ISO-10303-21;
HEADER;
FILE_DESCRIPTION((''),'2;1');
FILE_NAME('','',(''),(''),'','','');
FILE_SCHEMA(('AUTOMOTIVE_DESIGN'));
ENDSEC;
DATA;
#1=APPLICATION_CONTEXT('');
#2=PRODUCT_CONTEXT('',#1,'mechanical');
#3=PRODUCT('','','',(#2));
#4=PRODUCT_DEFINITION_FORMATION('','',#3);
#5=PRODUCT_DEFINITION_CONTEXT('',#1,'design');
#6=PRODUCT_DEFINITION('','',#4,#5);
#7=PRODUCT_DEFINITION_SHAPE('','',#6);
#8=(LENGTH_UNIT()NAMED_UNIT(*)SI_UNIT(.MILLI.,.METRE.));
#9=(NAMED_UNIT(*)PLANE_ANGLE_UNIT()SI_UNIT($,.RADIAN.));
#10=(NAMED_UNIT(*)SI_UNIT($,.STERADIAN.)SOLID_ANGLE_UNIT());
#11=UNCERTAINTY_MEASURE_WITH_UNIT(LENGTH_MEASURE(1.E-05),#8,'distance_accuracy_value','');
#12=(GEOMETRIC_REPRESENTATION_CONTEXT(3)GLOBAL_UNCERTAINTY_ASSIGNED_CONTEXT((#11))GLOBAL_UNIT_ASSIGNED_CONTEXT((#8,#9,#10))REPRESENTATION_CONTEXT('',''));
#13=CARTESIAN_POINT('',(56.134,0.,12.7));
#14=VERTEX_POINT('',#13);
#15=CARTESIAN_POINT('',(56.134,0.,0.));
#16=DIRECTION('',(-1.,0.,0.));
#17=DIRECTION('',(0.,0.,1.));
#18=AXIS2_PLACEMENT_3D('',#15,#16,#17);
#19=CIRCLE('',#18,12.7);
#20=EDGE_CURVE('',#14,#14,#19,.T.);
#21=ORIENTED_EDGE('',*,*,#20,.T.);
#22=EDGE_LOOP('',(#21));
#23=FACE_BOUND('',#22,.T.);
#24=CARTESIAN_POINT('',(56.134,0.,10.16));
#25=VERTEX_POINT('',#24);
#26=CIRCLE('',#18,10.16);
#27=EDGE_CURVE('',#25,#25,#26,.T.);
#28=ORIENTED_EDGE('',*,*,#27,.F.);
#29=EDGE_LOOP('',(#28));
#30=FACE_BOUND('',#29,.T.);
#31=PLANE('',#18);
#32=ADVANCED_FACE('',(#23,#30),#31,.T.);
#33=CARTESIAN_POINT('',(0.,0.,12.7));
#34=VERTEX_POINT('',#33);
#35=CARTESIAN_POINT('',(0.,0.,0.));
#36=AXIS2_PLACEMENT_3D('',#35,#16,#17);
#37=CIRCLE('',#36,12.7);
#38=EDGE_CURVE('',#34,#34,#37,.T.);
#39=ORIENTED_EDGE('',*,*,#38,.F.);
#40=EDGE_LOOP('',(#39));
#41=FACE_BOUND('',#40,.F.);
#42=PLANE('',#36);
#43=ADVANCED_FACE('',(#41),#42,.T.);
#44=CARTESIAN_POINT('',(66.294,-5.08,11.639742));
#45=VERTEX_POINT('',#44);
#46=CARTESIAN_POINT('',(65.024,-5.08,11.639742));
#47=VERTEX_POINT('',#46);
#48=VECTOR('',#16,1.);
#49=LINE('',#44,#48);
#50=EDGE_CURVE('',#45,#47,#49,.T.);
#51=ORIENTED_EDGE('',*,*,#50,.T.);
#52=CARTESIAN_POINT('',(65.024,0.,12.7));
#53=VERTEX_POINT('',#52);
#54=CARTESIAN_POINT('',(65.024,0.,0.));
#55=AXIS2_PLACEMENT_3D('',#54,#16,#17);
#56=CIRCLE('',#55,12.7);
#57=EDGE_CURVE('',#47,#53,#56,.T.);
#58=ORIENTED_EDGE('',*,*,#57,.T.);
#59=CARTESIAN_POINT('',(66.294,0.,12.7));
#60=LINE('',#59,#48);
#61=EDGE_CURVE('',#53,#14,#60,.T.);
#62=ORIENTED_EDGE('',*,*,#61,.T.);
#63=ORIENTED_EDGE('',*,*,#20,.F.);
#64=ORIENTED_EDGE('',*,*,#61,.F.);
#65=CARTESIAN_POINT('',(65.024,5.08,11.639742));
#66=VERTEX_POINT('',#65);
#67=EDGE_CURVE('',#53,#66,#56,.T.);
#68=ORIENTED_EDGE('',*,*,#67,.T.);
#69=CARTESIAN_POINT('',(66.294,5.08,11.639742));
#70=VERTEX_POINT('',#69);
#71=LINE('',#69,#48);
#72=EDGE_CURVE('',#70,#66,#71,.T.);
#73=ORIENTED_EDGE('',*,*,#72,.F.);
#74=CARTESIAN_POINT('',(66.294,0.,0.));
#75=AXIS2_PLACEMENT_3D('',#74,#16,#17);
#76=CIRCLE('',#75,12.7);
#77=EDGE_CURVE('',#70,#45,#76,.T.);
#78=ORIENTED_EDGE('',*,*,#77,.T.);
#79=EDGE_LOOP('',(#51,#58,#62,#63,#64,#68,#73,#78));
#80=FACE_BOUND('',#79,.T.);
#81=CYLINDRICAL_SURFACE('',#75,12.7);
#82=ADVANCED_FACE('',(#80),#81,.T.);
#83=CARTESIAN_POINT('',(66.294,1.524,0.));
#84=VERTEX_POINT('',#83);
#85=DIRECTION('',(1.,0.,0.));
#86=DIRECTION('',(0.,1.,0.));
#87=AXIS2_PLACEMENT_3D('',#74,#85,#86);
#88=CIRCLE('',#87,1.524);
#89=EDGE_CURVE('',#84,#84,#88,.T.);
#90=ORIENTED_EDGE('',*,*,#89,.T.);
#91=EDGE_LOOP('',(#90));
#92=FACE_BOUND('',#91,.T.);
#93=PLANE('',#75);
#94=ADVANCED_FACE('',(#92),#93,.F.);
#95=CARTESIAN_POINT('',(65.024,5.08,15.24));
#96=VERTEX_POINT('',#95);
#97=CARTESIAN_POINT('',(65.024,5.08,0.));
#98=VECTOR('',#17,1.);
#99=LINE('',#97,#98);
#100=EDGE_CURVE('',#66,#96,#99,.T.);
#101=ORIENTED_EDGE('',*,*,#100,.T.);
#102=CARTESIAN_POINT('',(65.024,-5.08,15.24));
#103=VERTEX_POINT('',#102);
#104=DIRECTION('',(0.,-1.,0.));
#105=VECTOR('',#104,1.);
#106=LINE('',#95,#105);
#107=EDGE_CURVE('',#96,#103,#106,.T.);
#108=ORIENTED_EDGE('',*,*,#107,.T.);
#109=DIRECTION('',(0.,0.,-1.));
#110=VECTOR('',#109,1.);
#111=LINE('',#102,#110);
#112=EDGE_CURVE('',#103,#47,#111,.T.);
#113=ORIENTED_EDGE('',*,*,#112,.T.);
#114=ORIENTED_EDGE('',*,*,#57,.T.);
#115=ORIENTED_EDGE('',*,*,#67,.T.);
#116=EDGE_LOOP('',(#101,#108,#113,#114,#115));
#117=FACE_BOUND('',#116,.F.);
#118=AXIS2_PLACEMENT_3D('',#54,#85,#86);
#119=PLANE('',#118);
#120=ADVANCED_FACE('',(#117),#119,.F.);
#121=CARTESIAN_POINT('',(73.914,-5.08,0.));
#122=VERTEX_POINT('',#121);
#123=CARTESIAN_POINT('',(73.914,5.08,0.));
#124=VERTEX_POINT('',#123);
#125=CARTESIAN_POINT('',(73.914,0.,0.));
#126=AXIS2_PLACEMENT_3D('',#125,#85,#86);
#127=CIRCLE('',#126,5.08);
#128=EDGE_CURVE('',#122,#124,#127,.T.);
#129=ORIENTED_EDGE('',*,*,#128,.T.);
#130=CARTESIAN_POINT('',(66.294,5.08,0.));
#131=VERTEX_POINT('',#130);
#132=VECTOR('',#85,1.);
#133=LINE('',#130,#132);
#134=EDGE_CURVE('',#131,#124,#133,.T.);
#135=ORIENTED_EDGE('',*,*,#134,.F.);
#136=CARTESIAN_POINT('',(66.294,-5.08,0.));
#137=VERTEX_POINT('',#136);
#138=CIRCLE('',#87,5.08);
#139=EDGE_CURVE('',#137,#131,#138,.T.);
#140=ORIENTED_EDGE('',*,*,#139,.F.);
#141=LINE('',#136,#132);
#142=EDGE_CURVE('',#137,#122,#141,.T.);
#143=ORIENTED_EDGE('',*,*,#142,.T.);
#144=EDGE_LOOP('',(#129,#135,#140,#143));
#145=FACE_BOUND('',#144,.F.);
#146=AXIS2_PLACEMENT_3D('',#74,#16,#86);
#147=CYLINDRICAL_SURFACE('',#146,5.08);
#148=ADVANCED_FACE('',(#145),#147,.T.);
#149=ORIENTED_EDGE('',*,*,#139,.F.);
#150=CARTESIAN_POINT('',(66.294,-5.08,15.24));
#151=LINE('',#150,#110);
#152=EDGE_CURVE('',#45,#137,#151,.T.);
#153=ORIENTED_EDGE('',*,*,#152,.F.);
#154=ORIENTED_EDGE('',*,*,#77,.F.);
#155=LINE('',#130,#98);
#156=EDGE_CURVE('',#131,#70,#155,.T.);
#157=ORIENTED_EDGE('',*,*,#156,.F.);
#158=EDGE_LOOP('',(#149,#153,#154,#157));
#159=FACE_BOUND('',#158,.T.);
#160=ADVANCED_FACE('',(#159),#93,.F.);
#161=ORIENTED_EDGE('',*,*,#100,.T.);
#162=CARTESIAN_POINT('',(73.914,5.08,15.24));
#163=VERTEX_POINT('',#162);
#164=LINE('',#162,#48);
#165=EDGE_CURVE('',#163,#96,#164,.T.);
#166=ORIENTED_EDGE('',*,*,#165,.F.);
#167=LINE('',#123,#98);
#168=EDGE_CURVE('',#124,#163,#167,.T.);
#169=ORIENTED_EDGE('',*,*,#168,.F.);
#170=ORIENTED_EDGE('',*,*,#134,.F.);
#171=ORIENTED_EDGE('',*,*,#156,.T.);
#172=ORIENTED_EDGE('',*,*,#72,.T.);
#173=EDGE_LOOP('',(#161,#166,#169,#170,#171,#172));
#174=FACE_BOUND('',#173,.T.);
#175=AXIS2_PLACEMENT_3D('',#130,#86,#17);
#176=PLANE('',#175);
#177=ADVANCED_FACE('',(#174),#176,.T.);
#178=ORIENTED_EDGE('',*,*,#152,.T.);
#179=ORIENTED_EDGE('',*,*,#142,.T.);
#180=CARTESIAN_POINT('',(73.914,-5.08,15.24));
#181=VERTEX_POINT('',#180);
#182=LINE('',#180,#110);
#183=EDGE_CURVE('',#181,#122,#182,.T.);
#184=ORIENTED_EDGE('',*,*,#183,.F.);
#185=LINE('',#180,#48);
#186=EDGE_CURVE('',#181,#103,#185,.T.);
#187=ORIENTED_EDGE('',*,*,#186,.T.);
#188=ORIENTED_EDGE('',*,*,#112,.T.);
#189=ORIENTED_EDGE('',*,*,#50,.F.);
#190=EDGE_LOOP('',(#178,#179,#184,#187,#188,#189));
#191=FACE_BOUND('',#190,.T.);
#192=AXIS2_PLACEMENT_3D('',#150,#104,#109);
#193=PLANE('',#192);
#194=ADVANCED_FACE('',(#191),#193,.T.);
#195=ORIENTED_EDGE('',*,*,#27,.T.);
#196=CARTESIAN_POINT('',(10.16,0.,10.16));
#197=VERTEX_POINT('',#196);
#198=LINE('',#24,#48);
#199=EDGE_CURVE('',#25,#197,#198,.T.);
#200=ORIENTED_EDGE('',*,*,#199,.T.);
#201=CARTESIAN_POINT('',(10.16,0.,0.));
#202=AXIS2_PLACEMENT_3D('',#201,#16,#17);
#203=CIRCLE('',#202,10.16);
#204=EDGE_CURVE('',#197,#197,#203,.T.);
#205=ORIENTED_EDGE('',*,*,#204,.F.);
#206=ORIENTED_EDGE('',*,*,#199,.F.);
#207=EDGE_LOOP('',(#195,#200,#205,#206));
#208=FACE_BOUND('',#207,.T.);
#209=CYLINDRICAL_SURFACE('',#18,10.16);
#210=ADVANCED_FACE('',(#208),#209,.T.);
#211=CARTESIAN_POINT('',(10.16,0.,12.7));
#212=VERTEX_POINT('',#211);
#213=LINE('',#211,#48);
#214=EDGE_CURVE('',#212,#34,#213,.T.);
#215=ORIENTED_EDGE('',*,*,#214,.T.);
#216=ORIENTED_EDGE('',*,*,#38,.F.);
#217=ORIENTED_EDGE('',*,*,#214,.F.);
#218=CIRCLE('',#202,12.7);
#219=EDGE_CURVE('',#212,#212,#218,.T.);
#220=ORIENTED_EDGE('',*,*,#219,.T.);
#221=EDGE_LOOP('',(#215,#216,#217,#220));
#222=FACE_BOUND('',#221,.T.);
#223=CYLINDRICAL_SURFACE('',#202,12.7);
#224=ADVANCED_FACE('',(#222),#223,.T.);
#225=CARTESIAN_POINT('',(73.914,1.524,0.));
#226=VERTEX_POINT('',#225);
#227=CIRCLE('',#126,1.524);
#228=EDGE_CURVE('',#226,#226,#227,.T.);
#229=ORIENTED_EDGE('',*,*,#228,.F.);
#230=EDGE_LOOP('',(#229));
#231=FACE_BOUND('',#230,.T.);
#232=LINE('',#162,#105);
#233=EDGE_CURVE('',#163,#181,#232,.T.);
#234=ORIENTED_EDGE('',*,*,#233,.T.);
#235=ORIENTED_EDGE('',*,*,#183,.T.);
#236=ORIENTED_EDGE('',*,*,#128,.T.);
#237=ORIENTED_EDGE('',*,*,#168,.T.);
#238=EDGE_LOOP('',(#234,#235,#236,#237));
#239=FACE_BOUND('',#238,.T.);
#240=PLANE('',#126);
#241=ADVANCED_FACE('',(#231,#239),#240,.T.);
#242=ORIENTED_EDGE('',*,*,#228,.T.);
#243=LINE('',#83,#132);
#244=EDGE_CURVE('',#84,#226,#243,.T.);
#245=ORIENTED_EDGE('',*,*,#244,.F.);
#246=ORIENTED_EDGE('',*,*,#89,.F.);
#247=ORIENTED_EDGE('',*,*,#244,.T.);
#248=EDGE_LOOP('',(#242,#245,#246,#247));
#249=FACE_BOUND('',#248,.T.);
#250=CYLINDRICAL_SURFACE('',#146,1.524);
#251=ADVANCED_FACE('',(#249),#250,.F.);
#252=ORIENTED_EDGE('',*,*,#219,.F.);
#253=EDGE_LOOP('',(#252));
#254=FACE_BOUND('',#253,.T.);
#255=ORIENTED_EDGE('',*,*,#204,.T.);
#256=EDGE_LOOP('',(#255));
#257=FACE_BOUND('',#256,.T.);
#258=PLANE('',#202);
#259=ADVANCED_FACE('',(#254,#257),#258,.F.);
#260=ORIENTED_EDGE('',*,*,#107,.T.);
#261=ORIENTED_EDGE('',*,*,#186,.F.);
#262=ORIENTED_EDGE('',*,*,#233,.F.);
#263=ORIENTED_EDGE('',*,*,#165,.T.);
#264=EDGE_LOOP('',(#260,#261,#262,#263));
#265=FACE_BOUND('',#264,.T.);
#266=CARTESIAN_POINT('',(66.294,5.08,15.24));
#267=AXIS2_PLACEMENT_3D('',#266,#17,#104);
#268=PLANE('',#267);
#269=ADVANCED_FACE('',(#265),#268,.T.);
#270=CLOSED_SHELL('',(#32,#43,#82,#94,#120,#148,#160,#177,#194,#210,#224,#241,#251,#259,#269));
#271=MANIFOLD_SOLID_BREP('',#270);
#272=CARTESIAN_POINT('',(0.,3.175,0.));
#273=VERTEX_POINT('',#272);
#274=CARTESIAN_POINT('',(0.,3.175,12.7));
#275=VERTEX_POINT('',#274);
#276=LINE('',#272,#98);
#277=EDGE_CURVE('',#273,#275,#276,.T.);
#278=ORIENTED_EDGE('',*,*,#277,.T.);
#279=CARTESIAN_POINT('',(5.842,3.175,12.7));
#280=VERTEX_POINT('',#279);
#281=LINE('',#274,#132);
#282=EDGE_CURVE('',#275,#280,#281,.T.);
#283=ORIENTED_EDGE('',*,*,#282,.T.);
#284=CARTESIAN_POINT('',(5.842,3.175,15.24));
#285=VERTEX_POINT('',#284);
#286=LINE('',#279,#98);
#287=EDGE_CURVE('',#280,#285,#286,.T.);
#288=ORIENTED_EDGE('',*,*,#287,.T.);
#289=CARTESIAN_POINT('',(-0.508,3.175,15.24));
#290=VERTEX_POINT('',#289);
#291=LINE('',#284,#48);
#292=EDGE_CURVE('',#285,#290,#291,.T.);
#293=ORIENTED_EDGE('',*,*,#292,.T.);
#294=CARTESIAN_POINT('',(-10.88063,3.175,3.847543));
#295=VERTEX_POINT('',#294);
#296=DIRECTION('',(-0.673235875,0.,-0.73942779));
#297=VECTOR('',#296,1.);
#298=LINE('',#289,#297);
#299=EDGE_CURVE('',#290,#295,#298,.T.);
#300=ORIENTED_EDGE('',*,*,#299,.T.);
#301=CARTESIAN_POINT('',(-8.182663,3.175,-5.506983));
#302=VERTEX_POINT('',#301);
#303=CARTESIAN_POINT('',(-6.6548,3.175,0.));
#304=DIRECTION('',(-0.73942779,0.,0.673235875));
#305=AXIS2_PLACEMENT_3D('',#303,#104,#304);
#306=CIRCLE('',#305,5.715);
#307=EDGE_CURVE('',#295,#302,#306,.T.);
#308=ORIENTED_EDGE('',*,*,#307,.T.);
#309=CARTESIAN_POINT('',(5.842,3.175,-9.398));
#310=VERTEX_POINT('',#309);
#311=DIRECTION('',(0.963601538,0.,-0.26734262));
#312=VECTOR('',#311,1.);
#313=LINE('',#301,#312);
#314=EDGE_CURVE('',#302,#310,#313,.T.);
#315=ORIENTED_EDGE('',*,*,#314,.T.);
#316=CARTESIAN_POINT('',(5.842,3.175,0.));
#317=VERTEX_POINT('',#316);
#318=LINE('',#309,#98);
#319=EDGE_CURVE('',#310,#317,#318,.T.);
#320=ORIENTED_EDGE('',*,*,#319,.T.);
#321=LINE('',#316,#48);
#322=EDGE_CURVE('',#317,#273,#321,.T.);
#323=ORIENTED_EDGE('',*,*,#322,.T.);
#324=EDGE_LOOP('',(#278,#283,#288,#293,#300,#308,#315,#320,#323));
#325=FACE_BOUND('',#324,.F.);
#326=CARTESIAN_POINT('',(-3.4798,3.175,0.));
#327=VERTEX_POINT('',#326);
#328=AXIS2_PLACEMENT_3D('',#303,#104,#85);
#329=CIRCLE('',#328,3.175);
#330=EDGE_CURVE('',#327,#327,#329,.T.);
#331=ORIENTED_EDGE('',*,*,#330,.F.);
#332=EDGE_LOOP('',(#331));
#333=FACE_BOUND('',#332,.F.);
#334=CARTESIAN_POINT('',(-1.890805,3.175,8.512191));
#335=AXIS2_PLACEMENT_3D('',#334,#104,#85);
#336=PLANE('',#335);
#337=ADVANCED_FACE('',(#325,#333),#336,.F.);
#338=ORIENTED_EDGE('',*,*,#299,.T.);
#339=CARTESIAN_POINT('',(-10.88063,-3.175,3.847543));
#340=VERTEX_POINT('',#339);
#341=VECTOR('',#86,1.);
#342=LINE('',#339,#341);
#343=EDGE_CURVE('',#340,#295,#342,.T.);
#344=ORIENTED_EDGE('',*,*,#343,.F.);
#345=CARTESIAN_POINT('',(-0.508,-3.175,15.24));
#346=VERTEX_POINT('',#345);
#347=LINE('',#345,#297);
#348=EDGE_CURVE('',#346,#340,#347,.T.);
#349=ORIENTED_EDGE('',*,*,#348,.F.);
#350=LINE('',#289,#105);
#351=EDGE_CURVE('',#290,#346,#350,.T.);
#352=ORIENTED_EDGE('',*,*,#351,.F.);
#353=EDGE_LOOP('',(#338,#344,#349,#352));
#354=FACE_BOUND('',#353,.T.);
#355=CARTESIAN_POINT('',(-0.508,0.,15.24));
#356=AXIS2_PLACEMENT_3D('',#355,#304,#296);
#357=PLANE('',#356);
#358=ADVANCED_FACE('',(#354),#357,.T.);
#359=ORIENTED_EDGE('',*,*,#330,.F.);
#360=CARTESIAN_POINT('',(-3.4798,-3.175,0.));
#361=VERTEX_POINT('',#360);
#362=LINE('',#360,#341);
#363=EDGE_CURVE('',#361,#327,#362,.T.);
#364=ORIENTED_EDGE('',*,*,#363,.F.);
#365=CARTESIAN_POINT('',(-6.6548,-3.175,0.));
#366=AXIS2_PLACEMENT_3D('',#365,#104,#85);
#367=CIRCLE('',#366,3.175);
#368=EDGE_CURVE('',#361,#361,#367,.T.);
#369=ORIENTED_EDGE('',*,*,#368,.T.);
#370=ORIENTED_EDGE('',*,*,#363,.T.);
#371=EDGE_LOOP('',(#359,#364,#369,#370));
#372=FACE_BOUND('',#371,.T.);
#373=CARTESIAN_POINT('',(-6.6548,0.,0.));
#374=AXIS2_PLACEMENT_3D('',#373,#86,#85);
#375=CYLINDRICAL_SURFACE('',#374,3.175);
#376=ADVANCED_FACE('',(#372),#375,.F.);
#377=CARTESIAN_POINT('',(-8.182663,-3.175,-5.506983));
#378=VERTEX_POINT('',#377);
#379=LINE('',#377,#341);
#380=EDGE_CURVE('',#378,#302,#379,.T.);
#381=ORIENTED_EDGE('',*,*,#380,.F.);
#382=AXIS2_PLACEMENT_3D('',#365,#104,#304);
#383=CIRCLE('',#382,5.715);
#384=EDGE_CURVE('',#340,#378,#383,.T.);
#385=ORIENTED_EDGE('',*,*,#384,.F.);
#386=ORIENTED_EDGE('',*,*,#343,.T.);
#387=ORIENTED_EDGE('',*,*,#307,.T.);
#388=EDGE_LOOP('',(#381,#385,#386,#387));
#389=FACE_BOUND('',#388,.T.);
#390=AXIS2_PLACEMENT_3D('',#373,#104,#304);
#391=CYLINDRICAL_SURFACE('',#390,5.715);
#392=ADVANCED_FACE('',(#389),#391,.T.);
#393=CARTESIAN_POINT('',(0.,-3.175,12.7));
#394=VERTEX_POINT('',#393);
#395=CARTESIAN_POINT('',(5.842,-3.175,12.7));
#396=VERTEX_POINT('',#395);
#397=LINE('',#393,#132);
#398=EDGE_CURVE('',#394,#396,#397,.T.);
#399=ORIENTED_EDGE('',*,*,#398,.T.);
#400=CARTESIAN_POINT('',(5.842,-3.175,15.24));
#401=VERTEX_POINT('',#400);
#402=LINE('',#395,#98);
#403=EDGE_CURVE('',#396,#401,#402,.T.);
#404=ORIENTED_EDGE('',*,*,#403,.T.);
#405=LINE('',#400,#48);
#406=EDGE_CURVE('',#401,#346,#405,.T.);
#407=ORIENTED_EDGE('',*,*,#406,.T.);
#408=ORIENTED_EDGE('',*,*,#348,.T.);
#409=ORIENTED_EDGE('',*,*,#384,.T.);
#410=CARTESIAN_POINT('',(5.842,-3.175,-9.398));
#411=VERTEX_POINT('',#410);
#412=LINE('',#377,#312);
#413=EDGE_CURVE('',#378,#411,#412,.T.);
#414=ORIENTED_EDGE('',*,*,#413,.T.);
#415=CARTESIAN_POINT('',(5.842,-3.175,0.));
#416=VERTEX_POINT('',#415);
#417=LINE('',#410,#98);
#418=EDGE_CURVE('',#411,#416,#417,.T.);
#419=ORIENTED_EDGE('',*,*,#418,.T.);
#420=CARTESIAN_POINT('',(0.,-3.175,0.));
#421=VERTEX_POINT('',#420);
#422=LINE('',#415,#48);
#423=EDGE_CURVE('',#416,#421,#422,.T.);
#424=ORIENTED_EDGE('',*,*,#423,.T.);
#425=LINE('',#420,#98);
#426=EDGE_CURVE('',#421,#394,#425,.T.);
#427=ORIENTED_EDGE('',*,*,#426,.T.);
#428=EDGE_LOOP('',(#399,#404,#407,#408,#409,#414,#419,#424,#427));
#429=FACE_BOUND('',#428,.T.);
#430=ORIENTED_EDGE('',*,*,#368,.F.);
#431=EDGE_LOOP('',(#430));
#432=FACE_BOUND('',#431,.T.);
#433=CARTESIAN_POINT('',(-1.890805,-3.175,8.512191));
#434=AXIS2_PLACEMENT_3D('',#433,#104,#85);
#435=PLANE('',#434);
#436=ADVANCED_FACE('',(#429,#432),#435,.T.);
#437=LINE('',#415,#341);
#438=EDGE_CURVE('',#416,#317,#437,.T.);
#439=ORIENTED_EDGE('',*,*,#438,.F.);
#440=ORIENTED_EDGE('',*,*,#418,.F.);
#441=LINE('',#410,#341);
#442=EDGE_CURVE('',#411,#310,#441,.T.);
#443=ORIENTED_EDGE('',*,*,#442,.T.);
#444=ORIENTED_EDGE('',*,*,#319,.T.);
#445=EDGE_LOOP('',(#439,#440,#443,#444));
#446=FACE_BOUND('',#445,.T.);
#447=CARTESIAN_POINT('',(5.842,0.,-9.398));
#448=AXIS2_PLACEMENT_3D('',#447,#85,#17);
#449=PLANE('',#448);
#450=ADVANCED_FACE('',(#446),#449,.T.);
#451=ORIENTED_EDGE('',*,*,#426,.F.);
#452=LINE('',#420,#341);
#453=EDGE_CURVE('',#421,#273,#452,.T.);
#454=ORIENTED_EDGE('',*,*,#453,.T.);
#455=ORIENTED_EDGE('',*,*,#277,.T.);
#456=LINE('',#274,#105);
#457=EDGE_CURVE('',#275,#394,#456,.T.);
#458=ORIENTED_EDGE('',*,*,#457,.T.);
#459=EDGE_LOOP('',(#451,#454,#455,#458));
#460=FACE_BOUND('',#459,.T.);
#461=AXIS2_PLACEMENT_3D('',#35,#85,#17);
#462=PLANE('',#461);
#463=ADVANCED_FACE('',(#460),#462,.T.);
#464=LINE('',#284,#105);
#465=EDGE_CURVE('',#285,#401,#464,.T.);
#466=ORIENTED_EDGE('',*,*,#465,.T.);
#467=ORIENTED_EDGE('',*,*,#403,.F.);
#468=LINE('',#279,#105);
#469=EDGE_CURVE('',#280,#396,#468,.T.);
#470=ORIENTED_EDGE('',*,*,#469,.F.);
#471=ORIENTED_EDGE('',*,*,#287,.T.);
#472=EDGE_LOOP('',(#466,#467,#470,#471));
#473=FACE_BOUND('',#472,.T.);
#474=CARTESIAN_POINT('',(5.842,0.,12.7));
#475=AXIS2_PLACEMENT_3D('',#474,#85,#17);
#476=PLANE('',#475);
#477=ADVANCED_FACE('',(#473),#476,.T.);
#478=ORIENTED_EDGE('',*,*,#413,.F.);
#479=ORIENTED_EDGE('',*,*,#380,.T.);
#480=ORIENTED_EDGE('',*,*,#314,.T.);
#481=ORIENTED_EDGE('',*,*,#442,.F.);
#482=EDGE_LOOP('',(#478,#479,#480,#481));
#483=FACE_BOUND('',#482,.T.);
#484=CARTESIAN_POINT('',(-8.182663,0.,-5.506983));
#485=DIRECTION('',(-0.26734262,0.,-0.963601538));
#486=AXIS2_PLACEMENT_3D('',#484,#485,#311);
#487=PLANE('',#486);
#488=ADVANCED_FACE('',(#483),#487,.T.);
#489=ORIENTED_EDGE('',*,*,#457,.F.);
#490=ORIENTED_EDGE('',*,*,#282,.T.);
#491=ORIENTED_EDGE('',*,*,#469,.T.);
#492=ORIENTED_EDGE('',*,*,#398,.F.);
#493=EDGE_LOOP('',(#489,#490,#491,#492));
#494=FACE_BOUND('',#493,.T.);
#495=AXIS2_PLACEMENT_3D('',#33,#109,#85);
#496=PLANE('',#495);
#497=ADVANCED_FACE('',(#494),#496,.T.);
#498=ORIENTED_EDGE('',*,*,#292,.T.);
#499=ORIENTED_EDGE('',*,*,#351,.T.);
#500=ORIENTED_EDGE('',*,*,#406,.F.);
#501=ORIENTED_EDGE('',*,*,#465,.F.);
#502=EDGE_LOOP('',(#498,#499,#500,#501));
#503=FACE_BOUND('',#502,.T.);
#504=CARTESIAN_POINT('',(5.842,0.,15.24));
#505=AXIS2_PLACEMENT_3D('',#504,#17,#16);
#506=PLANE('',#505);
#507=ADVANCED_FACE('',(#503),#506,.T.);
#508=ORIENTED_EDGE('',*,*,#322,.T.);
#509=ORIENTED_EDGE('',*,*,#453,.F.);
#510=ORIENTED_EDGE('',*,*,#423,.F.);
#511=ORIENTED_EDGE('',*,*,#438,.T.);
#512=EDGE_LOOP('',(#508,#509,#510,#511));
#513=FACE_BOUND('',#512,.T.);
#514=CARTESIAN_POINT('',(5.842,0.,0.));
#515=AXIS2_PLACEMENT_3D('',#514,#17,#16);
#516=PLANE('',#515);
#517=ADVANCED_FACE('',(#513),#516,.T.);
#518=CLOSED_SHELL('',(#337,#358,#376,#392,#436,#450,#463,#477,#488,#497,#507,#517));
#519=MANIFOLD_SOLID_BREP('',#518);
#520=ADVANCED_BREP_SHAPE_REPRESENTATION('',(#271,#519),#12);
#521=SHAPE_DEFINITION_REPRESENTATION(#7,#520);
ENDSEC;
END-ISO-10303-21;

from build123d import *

# Parameters (mm, degrees)
F0_R          = 3.175
F1_DEPTH      = 3.175
F0_W          = 5.842
F0_H          = 12.7
F3_R          = 1.524
F4_DEPTH      = 7.62
F4_DEPTH_BACK = 1.27


with BuildPart() as f1:
    # F0 (on Front) → F1 (new body, symmetric)
    with BuildSketch(Plane.XZ):
        with BuildLine():
            Line((-0.9398, 0), (0, 0))
            Line((0, 0), (0, 12.7))
            Line((0, 12.7), (5.842, 12.7))
            Line((5.842, 12.7), (5.842, 15.24))
            Line((5.842, 15.24), (-0.508, 15.24))
            Line((-0.508, 15.24), (-10.8806298187, 3.8475430269))
            ThreePointArc((-10.8806298187, 3.8475430269), (-4.5919612295, 5.3297205562), (-0.9398, 0))
        make_face()
        with BuildLine():
            Line((5.842, 0), (0, 0))
            Line((0, 0), (-0.9398, 0))
            ThreePointArc((-0.9398, 0), (-3.1957909266, -4.5493385486), (-8.1826630726, -5.5069827884))
            Line((-8.1826630726, -5.5069827884), (5.842, -9.398))
            Line((5.842, -9.398), (5.842, 0))
        make_face()
        with BuildLine():
            ThreePointArc((-8.1826630726, -5.5069827884), (-3.1957909266, -4.5493385486), (-0.9398, 0))
            ThreePointArc((-0.9398, 0), (-4.5919612295, 5.3297205562), (-10.8806298187, 3.8475430269))
            ThreePointArc((-10.8806298187, 3.8475430269), (-12.1459778134, -1.5837270034), (-8.1826630726, -5.5069827884))
        make_face()
        with Locations((-6.6548, 0)):
            Circle(F0_R, mode=Mode.SUBTRACT)
    extrude(amount=F1_DEPTH, both=True)


with BuildPart() as f2:
    # F0 (on Front) → F2 (revolve)
    with BuildSketch(Plane.XZ):
        with Locations((2.921, 6.35)):
            Rectangle(F0_W, F0_H)
        Polygon((5.842, 12.7), (5.842, 0), (66.294, 0), (66.294, 12.7), (56.134, 12.7), (56.134, 10.16), (10.16, 10.16), (10.16, 12.7), align=None)
    revolve(axis=Axis((33.147, 0, 0), (-1, 0, 0)))

    # F3 (on face) → F4 (join, two sides)
    with BuildSketch(Plane.YZ.offset(66.294)) as f4_sk:
        with BuildLine():
            ThreePointArc((-5.08, 0), (0, -5.08), (5.08, 0))
            ThreePointArc((5.08, 0), (0, 5.08), (-5.08, 0))
        make_face()
        Circle(F3_R, mode=Mode.SUBTRACT)
        with BuildLine():
            ThreePointArc((-5.08, 0), (0, 5.08), (5.08, 0))
            Line((5.08, 0), (5.08, 11.6397422652))
            ThreePointArc((5.08, 11.6397422652), (0, 12.7), (-5.08, 11.6397422652))
            Line((-5.08, 11.6397422652), (-5.08, 0))
        make_face()
        with BuildLine():
            ThreePointArc((-5.08, 11.6397422652), (0, 12.7), (5.08, 11.6397422652))
            Line((5.08, 11.6397422652), (5.08, 15.24))
            Line((5.08, 15.24), (-5.08, 15.24))
            Line((-5.08, 15.24), (-5.08, 11.6397422652))
        make_face()
    extrude(amount=F4_DEPTH)
    extrude(f4_sk.sketch, amount=-F4_DEPTH_BACK)


solid = Compound([f1.part, f2.part])
